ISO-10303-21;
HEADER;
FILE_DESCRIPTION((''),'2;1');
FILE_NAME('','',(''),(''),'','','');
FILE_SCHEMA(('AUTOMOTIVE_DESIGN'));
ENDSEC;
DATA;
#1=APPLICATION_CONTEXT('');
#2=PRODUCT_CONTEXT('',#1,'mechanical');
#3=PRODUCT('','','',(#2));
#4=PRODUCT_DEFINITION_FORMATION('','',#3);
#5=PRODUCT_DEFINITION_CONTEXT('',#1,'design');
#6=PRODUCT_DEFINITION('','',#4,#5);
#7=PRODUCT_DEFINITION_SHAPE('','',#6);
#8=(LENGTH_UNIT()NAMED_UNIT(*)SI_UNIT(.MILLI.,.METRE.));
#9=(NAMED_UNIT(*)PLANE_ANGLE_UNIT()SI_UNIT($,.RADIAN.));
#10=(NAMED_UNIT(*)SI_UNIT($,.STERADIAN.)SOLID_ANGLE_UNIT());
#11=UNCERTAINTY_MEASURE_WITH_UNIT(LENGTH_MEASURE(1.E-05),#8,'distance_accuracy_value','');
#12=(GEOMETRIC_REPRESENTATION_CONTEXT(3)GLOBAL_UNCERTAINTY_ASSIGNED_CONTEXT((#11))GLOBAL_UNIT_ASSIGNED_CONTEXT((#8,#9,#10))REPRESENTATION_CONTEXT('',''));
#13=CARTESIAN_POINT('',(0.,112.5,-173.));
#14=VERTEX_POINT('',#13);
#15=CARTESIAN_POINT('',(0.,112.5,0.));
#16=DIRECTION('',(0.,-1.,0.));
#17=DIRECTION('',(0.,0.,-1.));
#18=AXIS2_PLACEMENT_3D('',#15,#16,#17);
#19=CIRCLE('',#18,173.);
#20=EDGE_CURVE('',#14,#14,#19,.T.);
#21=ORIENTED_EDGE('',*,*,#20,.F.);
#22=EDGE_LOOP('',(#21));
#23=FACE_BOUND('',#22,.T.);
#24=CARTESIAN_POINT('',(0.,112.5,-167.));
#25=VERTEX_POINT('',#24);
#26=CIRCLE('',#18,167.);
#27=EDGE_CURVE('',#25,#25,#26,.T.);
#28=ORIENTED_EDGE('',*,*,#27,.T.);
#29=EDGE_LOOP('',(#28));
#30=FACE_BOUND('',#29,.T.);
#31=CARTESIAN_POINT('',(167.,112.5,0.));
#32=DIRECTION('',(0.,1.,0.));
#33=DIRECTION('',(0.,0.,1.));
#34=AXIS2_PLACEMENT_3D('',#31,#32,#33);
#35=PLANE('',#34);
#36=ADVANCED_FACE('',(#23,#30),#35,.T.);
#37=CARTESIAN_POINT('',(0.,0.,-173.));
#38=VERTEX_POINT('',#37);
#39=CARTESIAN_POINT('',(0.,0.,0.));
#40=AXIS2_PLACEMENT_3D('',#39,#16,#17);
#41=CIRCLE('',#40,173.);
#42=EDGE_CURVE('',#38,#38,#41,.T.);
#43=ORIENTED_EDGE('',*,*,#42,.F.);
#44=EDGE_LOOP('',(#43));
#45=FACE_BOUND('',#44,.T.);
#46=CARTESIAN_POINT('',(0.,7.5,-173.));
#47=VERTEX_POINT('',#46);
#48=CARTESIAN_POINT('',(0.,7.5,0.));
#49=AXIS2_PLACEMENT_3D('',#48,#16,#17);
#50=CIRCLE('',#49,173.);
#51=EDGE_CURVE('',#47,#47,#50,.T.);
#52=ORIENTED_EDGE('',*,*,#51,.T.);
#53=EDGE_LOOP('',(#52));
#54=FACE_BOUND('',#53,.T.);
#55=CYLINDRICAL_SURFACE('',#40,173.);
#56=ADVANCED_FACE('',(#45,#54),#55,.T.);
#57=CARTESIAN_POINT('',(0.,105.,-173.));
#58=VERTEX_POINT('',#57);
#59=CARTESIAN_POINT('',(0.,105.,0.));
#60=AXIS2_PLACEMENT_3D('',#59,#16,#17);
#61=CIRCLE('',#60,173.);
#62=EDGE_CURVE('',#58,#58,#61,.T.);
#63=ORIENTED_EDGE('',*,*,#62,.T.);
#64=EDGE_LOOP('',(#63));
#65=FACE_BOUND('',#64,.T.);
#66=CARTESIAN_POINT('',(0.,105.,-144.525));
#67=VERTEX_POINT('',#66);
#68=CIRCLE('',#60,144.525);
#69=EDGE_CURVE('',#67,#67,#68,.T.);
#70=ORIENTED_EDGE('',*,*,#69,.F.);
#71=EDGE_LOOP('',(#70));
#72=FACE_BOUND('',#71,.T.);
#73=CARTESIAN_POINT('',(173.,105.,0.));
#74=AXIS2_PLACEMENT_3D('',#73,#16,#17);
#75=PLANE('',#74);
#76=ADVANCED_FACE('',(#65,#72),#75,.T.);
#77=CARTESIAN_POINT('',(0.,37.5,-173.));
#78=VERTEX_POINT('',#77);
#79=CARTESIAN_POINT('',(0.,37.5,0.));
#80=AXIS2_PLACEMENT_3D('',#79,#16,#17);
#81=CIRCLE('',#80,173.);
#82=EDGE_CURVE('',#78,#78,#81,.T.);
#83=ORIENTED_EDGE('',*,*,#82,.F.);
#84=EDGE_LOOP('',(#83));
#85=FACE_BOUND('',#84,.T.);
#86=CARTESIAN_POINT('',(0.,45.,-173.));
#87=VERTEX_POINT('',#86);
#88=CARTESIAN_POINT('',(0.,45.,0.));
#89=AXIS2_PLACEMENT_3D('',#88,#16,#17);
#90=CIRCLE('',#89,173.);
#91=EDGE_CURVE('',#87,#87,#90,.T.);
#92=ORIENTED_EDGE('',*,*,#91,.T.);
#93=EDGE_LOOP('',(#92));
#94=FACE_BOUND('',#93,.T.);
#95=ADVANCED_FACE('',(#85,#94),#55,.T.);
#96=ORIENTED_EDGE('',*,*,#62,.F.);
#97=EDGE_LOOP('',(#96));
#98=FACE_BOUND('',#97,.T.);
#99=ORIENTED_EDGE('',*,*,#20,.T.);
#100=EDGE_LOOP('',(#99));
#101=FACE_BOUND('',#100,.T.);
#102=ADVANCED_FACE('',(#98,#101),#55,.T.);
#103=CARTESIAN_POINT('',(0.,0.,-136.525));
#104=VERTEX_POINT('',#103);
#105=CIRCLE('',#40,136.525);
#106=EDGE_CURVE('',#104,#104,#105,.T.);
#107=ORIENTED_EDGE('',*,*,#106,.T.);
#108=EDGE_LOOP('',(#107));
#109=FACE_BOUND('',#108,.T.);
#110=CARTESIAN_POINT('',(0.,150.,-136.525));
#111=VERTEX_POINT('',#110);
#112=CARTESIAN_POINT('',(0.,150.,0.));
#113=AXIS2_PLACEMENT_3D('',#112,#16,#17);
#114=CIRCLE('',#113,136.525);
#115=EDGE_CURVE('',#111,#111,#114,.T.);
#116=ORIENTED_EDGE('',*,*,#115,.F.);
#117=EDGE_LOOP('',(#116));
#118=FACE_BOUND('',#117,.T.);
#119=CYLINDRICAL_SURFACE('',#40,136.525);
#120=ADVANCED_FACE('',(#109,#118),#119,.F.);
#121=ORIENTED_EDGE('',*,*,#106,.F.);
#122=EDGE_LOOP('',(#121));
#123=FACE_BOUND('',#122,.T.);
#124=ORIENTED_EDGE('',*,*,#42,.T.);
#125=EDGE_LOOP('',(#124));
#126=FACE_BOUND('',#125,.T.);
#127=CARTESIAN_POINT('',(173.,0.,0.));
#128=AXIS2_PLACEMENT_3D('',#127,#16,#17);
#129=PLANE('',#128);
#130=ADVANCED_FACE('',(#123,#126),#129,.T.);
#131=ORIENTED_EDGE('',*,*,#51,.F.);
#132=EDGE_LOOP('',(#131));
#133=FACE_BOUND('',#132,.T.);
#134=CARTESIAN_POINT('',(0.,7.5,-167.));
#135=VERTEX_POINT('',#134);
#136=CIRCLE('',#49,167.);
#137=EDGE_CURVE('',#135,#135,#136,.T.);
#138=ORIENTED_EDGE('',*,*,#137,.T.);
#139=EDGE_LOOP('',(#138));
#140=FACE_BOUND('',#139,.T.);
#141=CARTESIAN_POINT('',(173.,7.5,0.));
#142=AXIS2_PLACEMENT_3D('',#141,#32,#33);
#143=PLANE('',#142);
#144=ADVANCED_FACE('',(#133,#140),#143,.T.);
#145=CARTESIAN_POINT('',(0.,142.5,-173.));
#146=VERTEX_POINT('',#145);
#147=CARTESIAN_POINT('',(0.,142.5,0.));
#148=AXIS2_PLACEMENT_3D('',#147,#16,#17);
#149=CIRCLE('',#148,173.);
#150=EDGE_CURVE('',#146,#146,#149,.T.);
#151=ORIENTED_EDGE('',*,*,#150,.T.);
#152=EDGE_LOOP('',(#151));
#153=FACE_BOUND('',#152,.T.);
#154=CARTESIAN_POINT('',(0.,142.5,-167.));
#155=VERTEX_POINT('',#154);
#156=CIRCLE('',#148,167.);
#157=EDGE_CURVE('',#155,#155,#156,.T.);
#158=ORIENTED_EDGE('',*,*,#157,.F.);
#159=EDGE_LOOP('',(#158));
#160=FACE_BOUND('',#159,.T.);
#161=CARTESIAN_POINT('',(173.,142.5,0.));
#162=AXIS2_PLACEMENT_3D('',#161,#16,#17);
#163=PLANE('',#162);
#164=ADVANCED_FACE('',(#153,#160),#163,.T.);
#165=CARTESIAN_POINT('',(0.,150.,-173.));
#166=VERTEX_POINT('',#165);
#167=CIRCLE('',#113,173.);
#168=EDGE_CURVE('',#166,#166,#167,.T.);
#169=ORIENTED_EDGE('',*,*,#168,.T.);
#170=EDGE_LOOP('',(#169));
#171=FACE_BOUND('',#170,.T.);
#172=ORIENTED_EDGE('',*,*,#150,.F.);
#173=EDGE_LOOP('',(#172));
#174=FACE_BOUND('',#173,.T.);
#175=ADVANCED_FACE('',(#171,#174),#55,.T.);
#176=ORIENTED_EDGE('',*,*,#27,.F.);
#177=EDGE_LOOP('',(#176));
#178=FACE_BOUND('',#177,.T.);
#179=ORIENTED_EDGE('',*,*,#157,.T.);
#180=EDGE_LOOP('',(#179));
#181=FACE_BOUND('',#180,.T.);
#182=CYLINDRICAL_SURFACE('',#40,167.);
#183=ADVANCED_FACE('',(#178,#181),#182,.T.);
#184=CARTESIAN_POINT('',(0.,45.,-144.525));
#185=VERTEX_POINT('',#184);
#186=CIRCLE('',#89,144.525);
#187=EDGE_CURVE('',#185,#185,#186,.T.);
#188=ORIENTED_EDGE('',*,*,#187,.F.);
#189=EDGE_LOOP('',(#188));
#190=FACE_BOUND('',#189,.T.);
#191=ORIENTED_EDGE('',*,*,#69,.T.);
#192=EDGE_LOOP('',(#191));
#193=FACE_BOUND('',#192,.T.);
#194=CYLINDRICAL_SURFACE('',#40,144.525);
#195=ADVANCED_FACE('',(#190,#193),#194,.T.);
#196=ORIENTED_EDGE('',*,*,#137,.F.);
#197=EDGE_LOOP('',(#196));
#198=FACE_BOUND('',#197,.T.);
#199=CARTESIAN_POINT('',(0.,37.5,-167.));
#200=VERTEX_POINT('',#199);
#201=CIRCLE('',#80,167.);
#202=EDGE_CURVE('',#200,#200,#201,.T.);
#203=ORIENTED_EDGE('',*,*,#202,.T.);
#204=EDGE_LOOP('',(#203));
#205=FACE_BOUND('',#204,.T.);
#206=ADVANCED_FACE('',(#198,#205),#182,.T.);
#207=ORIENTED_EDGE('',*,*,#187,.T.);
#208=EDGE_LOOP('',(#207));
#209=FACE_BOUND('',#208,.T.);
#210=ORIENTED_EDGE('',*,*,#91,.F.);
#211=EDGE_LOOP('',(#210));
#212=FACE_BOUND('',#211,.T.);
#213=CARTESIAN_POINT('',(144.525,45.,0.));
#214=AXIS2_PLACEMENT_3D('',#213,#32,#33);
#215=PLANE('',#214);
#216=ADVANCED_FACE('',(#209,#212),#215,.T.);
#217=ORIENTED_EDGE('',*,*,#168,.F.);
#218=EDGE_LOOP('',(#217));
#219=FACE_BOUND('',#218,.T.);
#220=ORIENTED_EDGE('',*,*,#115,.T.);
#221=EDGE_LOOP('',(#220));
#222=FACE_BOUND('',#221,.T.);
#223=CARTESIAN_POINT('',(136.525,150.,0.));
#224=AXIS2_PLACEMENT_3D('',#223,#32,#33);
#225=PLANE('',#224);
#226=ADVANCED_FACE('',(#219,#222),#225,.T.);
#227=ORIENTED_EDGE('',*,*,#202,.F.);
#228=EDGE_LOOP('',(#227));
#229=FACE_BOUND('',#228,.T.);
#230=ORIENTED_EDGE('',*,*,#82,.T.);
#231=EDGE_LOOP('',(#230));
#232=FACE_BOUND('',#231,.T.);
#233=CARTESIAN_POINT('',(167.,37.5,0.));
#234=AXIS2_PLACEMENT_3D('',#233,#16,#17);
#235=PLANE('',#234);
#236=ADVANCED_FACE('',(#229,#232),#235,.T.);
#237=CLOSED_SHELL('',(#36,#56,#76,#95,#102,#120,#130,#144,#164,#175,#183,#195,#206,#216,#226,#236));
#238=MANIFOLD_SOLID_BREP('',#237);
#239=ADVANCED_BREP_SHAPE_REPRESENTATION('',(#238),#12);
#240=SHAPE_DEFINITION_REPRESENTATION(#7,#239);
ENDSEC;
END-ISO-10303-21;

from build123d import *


with BuildPart() as part:
    # Esboço1 → Revolução1 (revolve)
    with BuildSketch(Plane.XY):
        Polygon((136.525, 150), (173, 150), (173, 142.5), (167, 142.5), (167, 112.5), (173, 112.5), (173, 105), (144.525, 105), (144.525, 45), (173, 45), (173, 37.5), (167, 37.5), (167, 7.5), (173, 7.5), (173, 0), (136.525, 0), align=None)
    revolve(axis=Axis((0, 0, 0), (0, 1, 0)))


solid = part.part
